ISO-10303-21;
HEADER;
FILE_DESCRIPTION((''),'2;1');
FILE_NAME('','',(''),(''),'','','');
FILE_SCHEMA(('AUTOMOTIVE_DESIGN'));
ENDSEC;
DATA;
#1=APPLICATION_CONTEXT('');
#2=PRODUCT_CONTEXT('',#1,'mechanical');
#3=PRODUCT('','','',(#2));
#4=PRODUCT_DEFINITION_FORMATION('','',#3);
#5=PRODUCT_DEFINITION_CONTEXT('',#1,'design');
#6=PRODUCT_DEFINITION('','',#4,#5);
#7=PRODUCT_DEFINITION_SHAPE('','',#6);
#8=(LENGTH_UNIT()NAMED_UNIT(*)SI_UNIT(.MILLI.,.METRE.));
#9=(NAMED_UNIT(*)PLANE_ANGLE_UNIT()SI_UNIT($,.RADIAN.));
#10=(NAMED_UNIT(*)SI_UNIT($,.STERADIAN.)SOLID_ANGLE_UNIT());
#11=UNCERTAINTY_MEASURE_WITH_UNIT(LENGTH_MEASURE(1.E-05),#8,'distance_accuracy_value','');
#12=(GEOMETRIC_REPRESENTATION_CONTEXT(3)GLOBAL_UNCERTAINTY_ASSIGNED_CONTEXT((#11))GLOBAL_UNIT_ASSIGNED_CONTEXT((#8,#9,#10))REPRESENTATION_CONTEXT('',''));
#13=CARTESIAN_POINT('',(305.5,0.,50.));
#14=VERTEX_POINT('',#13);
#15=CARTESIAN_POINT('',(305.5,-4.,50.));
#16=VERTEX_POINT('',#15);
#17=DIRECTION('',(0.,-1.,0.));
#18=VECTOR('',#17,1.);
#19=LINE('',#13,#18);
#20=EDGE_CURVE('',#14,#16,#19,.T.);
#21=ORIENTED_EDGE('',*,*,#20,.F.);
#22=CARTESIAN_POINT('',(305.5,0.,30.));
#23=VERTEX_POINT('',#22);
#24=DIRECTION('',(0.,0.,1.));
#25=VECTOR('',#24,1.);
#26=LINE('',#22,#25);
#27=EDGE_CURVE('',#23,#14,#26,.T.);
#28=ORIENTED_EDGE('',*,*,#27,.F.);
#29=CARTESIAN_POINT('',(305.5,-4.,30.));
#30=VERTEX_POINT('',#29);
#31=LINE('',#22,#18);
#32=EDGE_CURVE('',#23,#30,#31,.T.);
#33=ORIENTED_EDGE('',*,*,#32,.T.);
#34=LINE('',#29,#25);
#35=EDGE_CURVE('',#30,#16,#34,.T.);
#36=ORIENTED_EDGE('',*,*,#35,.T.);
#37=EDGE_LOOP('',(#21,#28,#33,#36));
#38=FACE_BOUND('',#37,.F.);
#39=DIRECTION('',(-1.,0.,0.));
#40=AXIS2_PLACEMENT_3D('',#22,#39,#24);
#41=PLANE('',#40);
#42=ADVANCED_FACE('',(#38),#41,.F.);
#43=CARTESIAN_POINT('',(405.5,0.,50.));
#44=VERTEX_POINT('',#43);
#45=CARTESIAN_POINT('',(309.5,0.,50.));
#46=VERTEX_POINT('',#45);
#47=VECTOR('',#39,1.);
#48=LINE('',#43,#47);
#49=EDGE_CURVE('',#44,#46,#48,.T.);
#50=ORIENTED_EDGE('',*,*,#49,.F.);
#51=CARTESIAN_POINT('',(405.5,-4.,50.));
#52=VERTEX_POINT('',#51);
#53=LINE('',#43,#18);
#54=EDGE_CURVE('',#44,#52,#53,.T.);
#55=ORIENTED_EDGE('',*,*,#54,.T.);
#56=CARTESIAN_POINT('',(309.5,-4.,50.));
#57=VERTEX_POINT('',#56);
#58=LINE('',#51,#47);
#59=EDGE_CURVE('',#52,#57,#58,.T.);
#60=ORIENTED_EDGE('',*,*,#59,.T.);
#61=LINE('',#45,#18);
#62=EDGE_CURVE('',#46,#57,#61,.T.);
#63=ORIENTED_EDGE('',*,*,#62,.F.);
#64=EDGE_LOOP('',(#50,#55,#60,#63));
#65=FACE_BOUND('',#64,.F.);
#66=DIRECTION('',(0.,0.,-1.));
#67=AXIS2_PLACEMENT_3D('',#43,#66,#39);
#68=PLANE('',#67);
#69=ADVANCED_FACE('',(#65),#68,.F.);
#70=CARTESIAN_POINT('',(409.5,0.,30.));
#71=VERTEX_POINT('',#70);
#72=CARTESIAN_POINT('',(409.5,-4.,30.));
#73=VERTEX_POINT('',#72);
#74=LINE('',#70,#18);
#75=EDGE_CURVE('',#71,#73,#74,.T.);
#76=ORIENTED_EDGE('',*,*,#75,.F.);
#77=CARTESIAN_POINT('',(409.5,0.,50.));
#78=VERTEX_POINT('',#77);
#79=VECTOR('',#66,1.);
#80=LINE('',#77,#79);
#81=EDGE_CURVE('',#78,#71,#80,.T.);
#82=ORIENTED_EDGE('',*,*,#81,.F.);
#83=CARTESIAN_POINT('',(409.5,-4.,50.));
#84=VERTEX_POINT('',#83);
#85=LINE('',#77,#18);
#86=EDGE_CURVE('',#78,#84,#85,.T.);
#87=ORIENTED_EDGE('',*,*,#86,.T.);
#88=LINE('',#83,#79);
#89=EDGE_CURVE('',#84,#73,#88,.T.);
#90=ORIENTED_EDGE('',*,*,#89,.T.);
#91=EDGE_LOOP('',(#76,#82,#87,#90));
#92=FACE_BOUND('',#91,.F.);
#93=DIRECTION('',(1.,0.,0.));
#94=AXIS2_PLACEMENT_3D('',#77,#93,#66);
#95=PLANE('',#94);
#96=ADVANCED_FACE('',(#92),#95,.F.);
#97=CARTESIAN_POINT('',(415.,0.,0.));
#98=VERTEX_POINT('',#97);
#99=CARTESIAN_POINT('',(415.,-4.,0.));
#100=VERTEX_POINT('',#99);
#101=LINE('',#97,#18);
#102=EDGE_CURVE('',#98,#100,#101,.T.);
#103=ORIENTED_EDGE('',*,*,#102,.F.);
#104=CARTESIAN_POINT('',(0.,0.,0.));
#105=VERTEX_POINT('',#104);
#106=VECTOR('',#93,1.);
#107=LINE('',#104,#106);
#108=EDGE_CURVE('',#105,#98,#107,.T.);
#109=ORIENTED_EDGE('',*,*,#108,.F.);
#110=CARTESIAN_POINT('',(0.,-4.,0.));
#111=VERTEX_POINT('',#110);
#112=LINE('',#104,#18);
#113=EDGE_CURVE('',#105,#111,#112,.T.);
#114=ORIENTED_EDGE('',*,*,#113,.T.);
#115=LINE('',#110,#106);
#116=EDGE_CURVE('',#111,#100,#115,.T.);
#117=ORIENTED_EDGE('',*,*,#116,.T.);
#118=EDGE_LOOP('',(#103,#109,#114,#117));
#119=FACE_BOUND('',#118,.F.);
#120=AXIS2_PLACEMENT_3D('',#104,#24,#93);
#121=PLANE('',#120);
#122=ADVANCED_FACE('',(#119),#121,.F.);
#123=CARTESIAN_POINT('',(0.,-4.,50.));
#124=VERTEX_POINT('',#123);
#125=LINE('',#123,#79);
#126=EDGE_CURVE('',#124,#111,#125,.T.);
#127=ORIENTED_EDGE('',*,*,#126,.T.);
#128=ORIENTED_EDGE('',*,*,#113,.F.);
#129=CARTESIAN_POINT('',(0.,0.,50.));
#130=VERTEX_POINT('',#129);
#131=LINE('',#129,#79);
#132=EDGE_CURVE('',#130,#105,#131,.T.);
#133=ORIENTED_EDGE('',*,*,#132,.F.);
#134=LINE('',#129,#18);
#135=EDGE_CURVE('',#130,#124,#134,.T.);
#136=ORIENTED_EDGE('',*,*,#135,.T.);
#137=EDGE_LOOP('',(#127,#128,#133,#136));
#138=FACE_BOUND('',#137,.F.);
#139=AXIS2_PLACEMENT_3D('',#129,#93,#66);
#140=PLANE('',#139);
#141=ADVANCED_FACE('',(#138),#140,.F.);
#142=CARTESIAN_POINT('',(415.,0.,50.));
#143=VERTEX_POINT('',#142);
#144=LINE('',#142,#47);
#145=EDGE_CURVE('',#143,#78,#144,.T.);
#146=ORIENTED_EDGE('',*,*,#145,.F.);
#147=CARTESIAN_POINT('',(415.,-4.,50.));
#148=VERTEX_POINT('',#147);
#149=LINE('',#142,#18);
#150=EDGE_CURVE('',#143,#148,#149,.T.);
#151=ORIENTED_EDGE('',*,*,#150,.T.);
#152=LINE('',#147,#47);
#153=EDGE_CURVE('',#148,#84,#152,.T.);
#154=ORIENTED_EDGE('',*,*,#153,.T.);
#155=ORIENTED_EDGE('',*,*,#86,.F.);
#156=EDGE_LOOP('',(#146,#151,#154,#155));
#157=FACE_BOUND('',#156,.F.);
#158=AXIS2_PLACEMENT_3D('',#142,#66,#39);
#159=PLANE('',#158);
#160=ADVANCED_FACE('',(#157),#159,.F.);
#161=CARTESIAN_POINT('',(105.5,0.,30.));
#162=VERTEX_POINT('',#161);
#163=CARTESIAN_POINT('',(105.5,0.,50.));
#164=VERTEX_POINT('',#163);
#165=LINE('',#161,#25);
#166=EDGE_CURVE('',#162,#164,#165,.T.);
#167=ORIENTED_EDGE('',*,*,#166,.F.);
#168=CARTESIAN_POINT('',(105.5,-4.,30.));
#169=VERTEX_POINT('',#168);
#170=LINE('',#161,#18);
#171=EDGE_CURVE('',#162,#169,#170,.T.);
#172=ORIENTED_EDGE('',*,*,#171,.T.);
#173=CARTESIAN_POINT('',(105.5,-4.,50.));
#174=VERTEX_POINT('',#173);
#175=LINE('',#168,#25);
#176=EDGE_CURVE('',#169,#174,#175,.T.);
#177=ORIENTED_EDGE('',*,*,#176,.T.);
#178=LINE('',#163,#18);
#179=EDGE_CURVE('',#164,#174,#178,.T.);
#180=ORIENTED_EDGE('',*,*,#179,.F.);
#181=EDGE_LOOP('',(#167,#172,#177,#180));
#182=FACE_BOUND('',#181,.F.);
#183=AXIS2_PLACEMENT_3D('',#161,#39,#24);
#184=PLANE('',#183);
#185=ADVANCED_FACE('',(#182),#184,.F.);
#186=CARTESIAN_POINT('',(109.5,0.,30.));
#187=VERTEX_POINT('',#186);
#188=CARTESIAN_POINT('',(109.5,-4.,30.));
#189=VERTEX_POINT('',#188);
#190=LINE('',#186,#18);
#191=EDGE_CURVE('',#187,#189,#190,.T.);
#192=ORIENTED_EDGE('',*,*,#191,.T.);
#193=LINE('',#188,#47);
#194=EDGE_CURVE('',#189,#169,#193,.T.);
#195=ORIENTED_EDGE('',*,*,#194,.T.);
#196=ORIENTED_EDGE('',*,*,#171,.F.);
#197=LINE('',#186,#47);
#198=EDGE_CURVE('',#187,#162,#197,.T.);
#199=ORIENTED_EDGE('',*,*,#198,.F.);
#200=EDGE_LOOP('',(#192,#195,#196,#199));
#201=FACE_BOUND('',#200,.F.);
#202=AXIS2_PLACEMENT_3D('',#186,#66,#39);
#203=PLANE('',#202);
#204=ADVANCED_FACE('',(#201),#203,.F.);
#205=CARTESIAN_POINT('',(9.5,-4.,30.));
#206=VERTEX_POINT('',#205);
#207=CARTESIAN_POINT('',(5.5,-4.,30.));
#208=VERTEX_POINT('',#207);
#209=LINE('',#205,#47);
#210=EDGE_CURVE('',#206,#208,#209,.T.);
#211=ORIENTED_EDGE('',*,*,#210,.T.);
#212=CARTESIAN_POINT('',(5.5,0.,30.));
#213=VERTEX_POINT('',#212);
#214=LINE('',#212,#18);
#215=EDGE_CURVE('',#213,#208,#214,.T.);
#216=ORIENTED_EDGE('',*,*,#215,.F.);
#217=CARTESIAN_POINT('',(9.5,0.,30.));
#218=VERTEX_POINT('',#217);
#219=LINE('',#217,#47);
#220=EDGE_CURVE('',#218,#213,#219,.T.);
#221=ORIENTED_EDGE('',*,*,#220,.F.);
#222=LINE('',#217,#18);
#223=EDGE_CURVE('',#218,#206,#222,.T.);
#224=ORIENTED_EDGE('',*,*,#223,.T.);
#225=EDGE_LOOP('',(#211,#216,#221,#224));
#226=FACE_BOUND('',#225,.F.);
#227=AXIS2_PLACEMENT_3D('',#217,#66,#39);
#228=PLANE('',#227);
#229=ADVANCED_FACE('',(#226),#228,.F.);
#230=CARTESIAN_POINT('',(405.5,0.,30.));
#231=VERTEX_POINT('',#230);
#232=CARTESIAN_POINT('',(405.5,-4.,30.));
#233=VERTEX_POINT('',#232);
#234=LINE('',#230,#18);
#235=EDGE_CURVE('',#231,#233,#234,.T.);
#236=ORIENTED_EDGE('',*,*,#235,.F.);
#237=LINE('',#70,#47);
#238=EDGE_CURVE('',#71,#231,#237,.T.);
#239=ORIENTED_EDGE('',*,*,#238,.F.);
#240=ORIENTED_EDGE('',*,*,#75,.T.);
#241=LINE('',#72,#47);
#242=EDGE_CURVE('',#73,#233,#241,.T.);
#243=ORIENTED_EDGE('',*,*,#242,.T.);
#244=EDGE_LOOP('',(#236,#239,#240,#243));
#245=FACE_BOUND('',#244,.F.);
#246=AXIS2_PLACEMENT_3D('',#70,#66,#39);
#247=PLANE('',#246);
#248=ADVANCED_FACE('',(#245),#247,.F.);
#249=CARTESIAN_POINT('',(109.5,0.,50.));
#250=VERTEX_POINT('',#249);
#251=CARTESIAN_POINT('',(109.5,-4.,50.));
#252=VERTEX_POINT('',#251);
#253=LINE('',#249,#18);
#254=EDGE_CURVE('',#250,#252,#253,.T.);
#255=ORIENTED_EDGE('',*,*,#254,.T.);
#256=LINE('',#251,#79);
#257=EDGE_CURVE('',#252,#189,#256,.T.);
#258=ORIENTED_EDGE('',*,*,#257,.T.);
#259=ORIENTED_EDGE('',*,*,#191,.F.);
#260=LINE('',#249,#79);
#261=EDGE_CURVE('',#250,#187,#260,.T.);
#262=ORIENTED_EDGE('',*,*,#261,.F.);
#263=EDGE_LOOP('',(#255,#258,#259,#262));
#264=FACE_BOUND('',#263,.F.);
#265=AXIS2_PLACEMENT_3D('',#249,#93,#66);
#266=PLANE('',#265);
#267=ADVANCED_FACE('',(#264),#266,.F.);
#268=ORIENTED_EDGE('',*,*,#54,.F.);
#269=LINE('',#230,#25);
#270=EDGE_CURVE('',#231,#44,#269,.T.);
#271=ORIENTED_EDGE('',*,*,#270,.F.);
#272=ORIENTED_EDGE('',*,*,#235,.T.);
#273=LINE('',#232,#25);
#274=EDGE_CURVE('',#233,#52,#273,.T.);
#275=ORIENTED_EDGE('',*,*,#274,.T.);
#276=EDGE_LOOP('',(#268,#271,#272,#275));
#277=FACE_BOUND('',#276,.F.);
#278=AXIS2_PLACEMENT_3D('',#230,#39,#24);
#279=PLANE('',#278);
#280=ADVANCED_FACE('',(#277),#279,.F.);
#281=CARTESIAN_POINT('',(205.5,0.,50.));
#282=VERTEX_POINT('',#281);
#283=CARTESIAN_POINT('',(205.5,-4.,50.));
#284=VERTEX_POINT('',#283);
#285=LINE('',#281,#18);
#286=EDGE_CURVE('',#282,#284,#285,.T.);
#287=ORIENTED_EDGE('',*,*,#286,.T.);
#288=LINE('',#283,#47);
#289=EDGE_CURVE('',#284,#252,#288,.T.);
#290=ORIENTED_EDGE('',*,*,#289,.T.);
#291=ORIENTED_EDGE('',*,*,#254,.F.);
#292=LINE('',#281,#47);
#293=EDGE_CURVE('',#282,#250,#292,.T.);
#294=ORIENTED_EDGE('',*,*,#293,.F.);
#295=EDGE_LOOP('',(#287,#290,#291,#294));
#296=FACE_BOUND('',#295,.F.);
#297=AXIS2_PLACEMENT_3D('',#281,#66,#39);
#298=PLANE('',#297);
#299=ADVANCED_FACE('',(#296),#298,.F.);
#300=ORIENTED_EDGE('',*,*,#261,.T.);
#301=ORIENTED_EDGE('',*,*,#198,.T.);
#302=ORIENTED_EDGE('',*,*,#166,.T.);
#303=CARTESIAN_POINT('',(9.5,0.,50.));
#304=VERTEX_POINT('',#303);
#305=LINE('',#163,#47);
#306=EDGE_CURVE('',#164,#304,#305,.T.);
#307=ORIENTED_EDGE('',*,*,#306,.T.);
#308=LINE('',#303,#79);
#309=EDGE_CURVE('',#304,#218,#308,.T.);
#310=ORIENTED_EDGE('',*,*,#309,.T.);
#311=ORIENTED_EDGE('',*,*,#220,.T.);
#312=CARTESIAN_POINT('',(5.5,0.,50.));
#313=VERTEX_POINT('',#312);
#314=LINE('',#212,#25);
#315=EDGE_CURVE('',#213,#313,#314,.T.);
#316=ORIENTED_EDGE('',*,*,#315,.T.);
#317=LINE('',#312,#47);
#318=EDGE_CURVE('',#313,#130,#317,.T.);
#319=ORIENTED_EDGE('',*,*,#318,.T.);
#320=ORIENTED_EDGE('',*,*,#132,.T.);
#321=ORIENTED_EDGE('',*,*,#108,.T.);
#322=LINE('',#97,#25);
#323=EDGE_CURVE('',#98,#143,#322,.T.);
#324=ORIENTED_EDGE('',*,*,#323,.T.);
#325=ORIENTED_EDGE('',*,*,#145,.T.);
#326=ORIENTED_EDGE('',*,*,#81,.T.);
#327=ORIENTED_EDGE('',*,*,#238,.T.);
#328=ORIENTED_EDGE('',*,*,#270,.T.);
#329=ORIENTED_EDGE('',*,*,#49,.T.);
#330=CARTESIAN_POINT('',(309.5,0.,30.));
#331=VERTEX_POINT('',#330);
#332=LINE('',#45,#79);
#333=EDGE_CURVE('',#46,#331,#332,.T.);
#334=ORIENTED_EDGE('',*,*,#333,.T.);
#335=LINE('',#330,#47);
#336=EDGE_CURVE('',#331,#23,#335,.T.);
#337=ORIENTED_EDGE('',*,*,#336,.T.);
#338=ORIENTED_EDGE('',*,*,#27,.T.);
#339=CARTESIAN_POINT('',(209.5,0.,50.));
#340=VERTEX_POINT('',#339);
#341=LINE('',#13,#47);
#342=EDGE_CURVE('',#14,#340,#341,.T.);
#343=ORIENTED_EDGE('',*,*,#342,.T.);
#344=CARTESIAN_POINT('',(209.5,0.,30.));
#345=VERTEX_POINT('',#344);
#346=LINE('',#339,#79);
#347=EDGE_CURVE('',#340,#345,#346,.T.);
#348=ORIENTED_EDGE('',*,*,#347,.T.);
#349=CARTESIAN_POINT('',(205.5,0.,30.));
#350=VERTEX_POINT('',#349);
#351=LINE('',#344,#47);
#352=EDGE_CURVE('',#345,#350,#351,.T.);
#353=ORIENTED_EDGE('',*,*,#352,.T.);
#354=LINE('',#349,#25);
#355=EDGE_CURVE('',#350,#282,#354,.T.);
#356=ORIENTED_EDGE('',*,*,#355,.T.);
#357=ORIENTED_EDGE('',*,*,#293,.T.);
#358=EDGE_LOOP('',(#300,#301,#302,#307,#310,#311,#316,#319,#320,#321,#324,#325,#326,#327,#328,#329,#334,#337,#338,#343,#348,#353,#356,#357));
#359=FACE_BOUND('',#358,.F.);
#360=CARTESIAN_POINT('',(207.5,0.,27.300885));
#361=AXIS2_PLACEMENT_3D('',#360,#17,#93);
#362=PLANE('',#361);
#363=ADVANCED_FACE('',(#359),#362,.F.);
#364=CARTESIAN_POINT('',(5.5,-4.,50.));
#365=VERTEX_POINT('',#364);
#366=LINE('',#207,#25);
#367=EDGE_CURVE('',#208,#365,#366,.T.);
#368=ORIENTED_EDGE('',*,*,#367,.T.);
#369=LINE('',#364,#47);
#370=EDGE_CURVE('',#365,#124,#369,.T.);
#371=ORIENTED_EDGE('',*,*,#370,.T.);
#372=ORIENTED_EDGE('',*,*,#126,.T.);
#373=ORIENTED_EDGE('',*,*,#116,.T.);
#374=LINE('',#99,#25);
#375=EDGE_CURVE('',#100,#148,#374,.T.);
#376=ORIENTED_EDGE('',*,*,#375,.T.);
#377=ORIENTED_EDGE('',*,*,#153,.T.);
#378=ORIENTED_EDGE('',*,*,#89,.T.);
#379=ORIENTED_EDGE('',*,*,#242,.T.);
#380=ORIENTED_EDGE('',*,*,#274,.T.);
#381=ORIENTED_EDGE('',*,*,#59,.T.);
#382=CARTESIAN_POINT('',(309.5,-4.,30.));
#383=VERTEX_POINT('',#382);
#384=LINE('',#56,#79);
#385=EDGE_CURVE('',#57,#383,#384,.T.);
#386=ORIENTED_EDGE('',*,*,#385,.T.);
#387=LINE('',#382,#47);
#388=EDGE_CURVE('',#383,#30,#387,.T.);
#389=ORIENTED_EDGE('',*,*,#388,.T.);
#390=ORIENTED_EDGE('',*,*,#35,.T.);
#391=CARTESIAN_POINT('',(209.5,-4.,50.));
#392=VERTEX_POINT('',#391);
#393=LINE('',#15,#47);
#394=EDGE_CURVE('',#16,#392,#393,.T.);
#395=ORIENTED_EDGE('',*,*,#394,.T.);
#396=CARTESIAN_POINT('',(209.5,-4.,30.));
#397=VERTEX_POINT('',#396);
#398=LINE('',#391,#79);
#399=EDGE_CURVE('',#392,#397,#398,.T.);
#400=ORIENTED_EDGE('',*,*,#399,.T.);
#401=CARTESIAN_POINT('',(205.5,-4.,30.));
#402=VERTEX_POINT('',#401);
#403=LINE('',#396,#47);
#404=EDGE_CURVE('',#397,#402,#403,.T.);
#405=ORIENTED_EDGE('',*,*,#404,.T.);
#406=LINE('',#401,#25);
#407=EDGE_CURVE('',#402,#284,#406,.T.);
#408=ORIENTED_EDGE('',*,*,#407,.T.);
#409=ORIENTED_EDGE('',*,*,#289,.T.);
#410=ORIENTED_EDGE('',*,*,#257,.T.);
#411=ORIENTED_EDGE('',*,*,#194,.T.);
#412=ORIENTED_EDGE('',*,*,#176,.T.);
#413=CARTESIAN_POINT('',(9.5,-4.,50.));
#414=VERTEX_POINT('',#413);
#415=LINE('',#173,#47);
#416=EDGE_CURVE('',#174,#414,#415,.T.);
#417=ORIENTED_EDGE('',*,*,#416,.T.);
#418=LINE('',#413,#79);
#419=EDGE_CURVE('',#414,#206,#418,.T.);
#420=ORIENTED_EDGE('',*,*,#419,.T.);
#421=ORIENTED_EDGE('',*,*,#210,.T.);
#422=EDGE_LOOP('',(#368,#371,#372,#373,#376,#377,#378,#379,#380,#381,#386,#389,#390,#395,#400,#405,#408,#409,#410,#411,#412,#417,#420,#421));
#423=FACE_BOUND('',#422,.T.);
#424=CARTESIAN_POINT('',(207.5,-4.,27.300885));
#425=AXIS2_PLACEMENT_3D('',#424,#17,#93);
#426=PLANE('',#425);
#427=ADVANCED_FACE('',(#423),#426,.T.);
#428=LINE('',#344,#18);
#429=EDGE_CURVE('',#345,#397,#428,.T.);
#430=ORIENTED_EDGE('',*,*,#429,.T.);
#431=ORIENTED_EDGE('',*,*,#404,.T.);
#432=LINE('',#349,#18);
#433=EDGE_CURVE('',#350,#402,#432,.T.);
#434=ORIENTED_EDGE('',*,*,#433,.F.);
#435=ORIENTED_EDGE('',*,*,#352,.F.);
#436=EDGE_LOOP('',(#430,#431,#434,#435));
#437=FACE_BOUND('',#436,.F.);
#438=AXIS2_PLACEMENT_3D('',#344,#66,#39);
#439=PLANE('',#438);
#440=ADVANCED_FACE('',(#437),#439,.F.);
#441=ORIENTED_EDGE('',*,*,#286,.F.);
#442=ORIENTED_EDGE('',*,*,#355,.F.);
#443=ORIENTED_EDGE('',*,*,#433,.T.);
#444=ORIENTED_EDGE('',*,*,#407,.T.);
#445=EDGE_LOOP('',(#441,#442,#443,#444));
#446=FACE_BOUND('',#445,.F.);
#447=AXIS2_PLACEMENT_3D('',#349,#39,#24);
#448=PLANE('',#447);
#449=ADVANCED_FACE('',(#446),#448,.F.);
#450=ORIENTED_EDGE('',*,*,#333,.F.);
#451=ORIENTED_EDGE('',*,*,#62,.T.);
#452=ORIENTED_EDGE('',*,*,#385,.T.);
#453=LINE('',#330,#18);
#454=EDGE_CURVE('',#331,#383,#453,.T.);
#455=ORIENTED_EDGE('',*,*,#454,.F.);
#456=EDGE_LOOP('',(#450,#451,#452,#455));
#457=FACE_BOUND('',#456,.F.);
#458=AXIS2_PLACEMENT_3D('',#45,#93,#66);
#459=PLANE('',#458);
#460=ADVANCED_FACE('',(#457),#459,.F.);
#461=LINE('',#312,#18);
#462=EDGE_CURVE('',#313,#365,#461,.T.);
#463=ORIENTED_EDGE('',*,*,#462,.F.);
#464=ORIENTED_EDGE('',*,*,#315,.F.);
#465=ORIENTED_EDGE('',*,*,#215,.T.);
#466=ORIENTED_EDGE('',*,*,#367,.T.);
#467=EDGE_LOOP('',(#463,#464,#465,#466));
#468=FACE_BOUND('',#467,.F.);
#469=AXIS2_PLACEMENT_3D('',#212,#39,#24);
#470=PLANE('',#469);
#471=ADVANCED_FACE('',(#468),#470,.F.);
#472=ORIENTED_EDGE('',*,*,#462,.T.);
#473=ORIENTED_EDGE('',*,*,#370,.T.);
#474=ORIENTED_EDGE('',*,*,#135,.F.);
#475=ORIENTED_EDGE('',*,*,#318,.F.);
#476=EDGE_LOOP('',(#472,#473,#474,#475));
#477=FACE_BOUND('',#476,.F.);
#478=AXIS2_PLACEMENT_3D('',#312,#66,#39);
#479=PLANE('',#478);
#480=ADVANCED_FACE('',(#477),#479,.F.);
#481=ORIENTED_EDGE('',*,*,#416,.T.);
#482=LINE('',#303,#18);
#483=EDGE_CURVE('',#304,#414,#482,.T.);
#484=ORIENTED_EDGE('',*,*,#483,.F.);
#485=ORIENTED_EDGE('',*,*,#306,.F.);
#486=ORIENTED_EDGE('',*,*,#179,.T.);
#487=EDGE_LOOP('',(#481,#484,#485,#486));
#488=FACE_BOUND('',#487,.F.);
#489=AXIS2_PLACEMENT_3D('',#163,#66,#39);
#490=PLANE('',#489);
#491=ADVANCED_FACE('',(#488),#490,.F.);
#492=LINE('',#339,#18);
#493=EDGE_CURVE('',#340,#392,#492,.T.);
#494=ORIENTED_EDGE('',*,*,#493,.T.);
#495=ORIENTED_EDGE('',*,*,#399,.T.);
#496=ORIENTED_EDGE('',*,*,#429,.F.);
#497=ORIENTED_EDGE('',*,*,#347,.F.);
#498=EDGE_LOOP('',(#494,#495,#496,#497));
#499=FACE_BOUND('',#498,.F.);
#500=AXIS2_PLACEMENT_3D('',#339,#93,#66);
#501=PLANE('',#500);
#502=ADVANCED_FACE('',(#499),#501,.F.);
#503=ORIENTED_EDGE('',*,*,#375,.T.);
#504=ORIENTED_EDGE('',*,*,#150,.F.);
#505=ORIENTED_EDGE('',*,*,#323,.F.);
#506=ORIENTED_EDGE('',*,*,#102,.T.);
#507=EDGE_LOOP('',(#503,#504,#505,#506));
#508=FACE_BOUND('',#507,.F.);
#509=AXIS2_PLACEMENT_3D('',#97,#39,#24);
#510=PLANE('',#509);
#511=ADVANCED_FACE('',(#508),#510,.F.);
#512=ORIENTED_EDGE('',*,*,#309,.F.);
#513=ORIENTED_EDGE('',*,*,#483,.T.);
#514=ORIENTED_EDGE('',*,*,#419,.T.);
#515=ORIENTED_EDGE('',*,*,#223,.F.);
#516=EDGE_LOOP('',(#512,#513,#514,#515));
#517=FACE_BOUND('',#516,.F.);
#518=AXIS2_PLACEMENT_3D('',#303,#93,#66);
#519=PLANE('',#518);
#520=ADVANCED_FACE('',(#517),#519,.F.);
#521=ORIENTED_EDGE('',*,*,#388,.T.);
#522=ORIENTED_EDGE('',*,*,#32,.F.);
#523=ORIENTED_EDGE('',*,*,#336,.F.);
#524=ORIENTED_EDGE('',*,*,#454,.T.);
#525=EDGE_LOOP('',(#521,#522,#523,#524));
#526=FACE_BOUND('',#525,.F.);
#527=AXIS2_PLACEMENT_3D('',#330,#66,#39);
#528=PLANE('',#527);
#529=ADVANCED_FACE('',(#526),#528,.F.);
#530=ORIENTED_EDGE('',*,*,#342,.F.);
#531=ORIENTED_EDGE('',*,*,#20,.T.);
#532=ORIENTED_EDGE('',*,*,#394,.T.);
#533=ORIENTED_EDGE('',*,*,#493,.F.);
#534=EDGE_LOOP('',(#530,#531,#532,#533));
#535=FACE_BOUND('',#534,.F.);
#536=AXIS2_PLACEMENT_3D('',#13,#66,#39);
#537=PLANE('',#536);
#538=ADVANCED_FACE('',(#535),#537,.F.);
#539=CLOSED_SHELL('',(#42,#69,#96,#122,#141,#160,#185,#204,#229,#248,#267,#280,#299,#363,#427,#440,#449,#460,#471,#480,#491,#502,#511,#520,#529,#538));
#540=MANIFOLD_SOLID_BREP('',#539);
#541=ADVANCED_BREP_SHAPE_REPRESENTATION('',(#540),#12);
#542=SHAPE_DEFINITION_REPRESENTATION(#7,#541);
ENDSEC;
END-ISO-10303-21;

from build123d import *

# Parameters (mm, degrees)
F1_DEPTH = 4


with BuildPart() as f1:
    # F0 (on Front) → F1 (new body)
    with BuildSketch(Plane.XZ):
        Polygon((0, 50), (0, 0), (415, 0), (415, 50), (409.5, 50), (409.5, 30), (405.5, 30), (405.5, 50), (309.5, 50), (309.5, 30), (305.5, 30), (305.5, 50), (209.5, 50), (209.5, 30), (205.5, 30), (205.5, 50), (109.5, 50), (109.5, 30), (105.5, 30), (105.5, 50), (9.5, 50), (9.5, 30), (5.5, 30), (5.5, 50), align=None)
    extrude(amount=F1_DEPTH)


solid = f1.part
